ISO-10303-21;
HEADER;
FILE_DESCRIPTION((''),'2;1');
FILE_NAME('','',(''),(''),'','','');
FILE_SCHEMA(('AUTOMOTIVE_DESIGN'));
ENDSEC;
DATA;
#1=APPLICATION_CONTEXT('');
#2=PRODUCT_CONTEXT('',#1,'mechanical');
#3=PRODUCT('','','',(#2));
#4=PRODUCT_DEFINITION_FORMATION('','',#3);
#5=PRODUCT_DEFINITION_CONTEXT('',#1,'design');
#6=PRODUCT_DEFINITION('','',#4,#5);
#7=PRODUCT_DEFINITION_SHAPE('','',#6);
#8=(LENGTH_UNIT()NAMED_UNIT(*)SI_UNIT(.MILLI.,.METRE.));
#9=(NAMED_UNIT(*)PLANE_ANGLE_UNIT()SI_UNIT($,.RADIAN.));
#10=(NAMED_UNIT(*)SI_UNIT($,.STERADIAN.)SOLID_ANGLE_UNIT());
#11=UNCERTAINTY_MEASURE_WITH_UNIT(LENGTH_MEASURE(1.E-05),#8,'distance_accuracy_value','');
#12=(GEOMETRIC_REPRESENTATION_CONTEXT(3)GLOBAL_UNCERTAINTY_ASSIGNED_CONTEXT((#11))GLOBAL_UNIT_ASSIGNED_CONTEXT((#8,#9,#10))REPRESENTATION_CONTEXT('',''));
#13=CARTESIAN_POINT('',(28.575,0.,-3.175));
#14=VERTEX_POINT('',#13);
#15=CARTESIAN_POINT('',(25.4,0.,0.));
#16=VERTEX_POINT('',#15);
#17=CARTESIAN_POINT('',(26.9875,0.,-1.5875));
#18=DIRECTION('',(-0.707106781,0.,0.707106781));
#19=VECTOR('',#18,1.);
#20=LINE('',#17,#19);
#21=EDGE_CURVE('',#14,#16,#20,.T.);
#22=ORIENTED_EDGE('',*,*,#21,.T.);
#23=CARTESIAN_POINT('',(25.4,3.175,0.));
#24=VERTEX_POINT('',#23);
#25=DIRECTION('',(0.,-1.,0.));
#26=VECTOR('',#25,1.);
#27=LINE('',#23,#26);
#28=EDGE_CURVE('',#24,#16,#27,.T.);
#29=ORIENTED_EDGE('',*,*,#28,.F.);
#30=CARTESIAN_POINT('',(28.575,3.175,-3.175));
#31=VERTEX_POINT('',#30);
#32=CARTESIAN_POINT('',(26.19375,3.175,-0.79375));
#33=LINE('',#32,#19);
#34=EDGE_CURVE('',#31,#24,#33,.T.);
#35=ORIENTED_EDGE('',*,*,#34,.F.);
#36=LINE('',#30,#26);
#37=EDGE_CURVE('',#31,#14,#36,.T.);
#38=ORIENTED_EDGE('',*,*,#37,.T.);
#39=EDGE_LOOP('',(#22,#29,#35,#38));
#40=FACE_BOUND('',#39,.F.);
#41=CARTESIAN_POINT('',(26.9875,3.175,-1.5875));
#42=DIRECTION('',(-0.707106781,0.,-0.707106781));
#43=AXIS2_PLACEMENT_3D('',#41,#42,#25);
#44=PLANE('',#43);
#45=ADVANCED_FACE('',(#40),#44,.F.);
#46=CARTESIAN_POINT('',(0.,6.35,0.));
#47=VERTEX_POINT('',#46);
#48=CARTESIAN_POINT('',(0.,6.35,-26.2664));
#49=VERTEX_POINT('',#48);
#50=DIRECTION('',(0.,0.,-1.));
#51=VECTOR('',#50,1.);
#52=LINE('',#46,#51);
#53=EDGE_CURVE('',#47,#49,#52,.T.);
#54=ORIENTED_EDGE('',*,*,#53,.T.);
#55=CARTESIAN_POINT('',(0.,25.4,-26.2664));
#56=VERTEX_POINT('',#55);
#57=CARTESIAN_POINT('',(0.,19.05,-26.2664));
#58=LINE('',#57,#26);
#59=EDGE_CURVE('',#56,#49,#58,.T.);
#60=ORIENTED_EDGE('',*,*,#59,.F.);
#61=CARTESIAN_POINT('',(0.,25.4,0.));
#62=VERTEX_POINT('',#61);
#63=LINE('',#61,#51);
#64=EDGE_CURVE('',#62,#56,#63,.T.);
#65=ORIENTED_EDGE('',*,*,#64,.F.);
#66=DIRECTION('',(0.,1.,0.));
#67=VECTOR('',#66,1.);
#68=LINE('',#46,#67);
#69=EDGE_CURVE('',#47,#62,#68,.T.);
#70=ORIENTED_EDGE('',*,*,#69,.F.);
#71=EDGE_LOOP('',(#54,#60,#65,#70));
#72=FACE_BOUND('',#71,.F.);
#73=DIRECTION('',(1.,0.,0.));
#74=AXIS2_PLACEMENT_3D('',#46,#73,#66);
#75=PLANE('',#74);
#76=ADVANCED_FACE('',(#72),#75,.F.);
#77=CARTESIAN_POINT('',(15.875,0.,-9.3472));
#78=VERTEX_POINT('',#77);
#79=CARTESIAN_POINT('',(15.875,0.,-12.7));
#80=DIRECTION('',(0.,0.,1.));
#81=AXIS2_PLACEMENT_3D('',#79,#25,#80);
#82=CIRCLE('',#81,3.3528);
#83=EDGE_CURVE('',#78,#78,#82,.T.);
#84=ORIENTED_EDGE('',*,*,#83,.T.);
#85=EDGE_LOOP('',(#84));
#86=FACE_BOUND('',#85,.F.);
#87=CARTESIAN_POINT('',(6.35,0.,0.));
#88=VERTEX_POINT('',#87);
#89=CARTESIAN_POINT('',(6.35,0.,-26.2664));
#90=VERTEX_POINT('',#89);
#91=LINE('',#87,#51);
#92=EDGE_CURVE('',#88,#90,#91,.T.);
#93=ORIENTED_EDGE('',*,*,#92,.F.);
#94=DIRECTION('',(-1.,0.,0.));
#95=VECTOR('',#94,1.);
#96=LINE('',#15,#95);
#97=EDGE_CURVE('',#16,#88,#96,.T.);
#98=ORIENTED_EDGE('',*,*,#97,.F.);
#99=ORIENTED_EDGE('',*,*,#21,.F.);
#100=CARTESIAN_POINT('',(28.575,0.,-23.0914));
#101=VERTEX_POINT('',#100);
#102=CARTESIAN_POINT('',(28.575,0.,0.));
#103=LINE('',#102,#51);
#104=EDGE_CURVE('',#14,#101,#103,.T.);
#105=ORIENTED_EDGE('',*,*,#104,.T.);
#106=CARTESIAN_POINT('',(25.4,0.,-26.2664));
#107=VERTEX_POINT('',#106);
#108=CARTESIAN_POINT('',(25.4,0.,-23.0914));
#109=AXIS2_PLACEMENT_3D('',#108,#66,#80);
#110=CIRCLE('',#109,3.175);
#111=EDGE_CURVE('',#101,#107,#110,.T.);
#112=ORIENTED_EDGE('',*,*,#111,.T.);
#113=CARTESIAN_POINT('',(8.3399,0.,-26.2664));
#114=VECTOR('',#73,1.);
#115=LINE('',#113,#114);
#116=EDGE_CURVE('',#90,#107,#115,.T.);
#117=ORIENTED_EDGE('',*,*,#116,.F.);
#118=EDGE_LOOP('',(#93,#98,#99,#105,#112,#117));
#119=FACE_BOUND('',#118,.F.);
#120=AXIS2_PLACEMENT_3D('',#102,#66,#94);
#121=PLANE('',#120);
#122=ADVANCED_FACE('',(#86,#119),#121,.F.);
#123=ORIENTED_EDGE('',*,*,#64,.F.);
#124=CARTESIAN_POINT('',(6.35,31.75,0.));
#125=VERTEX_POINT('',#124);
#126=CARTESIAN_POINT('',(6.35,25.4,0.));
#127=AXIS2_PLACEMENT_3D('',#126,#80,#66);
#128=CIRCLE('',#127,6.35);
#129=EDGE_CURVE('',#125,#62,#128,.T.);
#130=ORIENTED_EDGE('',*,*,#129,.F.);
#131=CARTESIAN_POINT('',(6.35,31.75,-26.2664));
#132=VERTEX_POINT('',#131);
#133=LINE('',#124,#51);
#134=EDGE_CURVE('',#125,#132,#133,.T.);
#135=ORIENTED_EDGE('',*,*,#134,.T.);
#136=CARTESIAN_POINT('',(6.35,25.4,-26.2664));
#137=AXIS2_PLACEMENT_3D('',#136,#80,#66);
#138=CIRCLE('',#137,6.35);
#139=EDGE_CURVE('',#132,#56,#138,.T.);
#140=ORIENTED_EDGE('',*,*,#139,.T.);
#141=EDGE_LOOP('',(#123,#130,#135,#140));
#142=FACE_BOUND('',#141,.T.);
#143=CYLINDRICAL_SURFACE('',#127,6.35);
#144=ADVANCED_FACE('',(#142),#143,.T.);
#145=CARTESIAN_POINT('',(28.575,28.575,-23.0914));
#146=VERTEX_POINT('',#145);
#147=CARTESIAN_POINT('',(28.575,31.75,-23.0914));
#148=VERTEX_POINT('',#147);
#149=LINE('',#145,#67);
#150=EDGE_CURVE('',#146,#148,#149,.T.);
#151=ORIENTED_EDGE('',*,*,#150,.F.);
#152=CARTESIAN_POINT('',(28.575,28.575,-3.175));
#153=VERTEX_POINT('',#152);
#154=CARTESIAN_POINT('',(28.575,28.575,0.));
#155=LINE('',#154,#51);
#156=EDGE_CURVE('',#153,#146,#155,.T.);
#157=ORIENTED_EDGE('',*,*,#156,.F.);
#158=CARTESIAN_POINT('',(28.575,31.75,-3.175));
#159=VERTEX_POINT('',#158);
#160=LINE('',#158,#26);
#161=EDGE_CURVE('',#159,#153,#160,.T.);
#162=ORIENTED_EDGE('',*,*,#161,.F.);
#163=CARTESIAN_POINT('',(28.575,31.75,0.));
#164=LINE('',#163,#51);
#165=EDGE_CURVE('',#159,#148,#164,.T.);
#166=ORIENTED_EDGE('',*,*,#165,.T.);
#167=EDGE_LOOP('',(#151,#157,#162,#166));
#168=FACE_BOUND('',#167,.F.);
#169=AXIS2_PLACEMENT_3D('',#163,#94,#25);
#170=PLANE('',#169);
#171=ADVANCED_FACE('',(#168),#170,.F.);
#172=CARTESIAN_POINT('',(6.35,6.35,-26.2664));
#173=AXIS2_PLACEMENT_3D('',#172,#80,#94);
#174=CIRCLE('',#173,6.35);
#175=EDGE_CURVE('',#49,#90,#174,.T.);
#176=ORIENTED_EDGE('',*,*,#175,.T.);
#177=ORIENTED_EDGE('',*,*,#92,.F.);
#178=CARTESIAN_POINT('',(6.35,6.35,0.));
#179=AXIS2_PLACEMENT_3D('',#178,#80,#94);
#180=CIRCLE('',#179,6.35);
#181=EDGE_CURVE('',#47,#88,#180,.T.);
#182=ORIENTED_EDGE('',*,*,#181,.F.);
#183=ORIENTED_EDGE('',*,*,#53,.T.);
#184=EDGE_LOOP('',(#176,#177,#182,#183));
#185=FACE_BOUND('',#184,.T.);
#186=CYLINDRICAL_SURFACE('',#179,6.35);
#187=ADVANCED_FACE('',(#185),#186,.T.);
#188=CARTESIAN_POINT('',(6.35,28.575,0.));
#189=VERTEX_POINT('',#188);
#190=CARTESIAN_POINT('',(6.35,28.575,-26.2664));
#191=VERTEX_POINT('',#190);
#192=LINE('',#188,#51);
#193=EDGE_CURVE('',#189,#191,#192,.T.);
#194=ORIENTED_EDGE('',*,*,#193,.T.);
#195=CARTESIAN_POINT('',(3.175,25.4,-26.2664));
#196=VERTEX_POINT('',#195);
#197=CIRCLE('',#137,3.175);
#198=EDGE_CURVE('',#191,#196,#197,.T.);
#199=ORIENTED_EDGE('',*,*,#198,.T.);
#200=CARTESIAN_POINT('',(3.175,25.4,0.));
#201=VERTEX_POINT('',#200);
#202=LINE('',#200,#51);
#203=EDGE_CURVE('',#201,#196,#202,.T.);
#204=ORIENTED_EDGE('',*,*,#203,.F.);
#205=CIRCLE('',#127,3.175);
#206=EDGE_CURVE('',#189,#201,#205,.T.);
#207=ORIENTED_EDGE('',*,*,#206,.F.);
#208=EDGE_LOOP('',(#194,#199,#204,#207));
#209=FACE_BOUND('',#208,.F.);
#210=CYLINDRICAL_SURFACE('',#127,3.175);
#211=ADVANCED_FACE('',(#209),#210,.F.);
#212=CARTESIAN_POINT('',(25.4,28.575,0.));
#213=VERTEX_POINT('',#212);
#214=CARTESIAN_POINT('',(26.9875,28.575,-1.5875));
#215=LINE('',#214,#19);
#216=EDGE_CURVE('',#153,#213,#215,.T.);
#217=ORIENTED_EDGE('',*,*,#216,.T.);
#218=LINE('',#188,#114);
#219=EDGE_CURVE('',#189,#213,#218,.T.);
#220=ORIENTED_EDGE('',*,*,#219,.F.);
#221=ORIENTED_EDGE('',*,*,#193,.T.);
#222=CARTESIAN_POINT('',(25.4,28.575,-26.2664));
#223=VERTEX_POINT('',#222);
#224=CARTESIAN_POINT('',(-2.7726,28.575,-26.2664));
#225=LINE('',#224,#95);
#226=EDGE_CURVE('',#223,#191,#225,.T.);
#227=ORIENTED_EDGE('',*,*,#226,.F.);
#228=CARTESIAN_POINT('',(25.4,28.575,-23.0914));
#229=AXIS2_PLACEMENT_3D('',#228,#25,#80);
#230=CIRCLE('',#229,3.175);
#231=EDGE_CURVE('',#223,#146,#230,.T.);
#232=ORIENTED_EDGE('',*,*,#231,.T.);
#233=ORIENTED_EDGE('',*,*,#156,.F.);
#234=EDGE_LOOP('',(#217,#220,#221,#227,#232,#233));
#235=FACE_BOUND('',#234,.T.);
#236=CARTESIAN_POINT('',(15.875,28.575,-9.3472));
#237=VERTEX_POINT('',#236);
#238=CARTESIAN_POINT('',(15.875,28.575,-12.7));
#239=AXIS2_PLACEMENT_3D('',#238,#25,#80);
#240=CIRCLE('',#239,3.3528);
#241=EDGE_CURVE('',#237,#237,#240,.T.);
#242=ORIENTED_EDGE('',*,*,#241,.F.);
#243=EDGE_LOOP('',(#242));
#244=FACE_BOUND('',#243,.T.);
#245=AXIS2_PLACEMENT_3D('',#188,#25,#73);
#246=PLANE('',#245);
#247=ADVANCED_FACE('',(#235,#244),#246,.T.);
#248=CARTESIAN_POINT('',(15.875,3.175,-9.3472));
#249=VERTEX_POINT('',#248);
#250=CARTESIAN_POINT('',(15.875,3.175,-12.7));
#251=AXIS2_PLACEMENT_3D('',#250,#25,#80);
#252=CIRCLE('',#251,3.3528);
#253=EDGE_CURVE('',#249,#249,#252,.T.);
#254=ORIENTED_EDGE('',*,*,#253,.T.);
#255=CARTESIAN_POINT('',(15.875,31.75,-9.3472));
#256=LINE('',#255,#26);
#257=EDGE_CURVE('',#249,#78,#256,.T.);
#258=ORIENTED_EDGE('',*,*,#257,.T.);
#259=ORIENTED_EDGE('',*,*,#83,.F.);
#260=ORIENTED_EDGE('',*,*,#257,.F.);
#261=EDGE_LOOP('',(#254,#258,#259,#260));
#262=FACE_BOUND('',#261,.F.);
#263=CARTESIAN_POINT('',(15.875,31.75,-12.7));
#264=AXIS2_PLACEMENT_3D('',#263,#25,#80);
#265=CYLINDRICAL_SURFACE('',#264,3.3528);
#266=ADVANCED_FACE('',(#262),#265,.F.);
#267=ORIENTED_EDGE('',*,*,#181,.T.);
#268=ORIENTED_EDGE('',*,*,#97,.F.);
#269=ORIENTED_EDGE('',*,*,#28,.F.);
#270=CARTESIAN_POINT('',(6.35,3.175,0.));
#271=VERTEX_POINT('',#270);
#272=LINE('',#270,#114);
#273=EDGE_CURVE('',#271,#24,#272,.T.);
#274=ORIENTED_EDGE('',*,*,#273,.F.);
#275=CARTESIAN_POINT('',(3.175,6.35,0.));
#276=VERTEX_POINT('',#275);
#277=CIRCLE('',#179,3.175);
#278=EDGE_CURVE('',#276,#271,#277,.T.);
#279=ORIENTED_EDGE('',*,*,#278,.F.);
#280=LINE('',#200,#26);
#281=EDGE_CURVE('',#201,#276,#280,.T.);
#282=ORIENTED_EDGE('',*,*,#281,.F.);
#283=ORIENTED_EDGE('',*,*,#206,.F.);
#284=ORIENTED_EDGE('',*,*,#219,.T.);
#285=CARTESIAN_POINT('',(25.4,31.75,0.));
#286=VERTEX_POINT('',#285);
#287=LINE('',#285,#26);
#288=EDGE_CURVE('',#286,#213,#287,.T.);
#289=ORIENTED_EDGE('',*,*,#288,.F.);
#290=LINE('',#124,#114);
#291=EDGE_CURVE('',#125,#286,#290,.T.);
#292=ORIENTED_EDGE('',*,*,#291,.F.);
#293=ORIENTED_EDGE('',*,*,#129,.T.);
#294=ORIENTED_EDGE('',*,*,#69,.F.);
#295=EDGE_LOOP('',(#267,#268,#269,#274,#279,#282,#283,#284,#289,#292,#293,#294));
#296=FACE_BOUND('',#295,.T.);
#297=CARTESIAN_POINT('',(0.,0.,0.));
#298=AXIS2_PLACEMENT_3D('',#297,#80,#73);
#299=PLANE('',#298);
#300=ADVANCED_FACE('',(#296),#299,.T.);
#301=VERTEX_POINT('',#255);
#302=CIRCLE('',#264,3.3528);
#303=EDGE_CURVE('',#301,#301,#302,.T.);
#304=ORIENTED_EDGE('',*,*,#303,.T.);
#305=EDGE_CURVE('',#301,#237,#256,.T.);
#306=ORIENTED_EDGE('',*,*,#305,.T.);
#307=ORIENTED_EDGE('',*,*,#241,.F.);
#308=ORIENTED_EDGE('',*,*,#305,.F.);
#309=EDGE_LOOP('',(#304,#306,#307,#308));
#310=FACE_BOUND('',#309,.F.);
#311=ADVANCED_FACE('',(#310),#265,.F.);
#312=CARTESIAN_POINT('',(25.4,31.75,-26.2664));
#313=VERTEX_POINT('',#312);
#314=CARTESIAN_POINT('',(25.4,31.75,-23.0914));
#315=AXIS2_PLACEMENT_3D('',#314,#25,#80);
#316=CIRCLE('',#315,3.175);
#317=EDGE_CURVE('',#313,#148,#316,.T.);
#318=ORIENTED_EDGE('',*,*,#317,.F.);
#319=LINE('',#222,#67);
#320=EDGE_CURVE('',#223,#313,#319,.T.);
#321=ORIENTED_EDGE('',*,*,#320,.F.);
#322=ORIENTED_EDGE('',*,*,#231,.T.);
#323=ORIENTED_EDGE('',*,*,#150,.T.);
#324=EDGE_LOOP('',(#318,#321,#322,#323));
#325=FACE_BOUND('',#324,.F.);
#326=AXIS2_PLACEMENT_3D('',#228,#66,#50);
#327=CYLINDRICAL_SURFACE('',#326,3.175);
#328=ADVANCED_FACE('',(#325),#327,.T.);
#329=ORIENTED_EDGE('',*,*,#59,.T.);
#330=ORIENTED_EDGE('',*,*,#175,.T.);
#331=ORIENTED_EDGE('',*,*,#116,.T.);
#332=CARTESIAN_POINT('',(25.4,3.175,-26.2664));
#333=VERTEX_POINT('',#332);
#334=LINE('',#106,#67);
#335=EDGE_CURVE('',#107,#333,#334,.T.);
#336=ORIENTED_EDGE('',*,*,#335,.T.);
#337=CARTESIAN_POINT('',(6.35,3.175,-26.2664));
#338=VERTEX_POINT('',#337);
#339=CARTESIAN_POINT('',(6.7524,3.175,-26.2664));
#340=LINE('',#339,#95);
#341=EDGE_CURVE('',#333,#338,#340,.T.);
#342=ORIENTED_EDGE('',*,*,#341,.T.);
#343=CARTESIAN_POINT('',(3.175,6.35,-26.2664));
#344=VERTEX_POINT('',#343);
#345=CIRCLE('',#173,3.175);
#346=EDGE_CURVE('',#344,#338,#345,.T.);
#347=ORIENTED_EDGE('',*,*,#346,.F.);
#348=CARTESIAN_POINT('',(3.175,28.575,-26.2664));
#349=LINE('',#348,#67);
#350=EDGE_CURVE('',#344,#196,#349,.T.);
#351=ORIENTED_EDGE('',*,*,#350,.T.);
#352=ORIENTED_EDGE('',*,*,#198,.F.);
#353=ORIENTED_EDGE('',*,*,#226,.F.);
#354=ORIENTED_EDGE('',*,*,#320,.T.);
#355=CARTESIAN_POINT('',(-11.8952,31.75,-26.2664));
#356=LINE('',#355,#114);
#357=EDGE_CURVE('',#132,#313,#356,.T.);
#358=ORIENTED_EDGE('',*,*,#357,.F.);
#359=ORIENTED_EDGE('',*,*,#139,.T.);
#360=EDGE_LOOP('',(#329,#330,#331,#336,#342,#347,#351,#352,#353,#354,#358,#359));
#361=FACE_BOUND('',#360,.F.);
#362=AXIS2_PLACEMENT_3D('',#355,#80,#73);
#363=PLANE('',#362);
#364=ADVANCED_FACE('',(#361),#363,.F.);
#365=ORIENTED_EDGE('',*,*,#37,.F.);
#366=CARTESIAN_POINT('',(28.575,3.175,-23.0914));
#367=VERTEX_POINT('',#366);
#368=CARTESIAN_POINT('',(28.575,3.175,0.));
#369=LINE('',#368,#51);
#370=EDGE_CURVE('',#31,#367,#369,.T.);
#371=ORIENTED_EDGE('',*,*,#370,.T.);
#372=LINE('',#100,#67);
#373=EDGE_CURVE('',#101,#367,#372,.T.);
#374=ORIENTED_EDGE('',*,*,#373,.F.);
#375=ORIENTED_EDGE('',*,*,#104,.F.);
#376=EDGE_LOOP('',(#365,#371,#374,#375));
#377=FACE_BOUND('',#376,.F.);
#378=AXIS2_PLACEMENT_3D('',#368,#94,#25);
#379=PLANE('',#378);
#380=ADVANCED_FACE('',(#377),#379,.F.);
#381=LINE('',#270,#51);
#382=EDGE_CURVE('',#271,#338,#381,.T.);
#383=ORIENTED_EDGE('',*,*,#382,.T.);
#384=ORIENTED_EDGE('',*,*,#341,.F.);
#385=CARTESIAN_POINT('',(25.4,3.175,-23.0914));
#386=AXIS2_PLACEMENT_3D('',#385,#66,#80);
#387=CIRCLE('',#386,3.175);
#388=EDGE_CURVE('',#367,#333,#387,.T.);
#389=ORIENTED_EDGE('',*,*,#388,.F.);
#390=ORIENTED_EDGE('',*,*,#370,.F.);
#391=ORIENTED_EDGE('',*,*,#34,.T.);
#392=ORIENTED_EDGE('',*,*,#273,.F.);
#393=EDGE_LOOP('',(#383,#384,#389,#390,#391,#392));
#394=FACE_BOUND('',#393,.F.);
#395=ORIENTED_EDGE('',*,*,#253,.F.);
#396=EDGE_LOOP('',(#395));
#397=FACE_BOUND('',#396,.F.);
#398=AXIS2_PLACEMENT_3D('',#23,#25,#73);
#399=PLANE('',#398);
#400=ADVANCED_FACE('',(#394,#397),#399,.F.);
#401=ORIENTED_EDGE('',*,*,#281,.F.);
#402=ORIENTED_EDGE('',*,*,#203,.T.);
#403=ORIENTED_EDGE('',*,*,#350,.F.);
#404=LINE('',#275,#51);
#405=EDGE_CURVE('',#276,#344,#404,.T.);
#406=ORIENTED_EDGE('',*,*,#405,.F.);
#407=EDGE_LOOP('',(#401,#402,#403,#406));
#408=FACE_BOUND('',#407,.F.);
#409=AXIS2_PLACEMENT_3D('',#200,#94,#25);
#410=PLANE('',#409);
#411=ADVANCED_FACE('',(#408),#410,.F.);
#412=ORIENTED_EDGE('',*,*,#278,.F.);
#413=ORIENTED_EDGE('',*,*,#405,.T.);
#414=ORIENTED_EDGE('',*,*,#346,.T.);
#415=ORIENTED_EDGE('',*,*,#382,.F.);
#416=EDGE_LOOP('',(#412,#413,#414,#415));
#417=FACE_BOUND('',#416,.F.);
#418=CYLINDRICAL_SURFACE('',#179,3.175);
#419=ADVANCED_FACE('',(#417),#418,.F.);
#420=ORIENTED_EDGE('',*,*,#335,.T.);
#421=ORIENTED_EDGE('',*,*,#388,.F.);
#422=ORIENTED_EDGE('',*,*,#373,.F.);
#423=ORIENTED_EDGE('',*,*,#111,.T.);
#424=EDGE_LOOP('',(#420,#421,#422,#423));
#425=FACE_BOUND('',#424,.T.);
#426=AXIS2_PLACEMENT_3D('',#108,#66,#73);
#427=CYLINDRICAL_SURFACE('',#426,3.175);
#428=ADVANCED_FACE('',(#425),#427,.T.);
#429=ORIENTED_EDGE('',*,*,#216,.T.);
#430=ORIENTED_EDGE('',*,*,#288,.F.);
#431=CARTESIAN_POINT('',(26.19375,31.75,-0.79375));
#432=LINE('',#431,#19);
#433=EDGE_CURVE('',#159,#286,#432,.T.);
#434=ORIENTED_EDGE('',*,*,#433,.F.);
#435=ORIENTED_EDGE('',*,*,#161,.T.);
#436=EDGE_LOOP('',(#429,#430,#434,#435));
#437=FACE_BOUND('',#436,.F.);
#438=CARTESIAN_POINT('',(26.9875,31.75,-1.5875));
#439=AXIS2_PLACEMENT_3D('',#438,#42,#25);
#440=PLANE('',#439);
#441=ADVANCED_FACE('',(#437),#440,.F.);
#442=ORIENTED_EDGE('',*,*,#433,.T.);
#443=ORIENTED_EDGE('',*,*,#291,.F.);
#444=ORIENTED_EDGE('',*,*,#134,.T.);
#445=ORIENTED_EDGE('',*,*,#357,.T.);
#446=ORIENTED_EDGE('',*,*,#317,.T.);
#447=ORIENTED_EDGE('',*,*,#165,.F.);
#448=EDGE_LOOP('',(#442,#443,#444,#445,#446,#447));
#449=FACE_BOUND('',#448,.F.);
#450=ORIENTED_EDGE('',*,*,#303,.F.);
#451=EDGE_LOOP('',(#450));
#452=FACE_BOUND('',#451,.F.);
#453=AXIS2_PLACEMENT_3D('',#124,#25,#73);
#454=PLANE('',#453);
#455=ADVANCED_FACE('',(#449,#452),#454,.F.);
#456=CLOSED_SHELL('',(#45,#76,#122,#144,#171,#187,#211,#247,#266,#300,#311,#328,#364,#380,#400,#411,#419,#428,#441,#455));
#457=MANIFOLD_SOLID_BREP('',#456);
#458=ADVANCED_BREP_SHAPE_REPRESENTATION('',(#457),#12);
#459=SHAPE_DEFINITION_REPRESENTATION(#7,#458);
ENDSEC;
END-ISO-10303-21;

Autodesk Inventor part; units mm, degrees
ref_plane "YZ Plane" through (0, 0, 0) normal (1, 0, 0) x (0, 1, 0)
ref_plane "XZ Plane" through (0, 0, 0) normal (0, 1, 0) x (-1, 0, 0)
ref_plane "XY Plane" through (0, 0, 0) normal (0, 0, 1) x (1, 0, 0)
sketch "Sketch1" plane through (0, 0, 0) normal (0, 0, 1) x (1, 0, 0)
  line L0 (6.35, 28.575) -> (25.4, 28.575)
  line L1 (6.35, 31.75) -> (25.4, 31.75)
  line L2 (25.4, 0) -> (6.35, 0)
  arc A0 (0, 6.35) -> (6.35, 0) centre (6.35, 6.35) ccw
  line L3 (0, 6.35) -> (0, 25.4)
  arc A1 (6.35, 31.75) -> (0, 25.4) centre (6.35, 25.4) ccw
  line L4 (6.35, 31.75) -> (25.4, 31.75)
  line L5 (25.4, 28.575) -> (6.35, 28.575)
  arc A2 (6.35, 28.575) -> (3.175, 25.4) centre (6.35, 25.4) ccw
  line L6 (3.175, 25.4) -> (3.175, 6.35)
  arc A3 (3.175, 6.35) -> (6.35, 3.175) centre (6.35, 6.35) ccw
  line L7 (6.35, 3.175) -> (25.4, 3.175)
  line L8 (28.575, 3.175) -> (28.575, 0)
  line L9 (25.4, 31.75) -> (28.575, 31.75)
  line L10 (28.575, 28.575) -> (25.4, 28.575)
  line L11 (28.575, 31.75) -> (28.575, 28.575)
  line L12 (28.575, 0) -> (25.4, 0)
  line L13 (28.575, 3.175) -> (28.575, 0)
  line L14 (25.4, 3.175) -> (28.575, 3.175)
  point P0 (0, 0)
extrude "Extrusion1" add sketch "Sketch1" against normal blind 762
chamfer "Chamfer1" distance 3.175 angle 45 4 edges at (28.575, 30.1625, 0) (28.575, 1.5875, 0) (28.575, 30.1625, -762) (28.575, 1.5875, -762)
sketch "Sketch2" plane through (6.35, 31.75, 0) normal (0, 1, 0) x (1, 0, 0)
  line L0 (19.05, 0) -> (0, 0) projected
  line L1 (22.225, 3.175) -> (22.225, 758.825) projected
  point P0 (-6.35, 0)
  point P1 (9.525, 12.7)
  dimension "d5" = 12.7
  dimension "d6" = 12.7
hole "Hole1" at (15.875, 31.75, -12.7) direction (0, -1, 0) diameter 6.7056 end through all
pattern_linear "Rectangular Pattern1" count 30 spacing 25.4 along (0, 0, -1) of "Hole1"
sketch "Sketch3" plane through (0, 6.35, 0) normal (-1, 0, 0) x (0, 0, 1)
  line L0 (-0.2722, 19.0092) -> (-759.0056, 19.0092)
  line L1 (-759.0056, 19.0092) -> (-759.0056, 0.0408)
  line L2 (-0.2722, 0.0408) -> (-759.0056, 0.0408)
  line L3 (-0.2722, 0.0408) -> (-0.2722, 19.0092)
  circle A0 centre (-698.5852, 9.525) radius 4.78
  circle A1 centre (-111.2243, 9.525) radius 4.78
  circle A2 centre (-188.7416, 9.525) radius 3.6672
  circle A3 centre (-277.2605, 9.525) radius 3.6672
  circle A4 centre (-481.9921, 9.525) radius 3.6672
  circle A5 centre (-570.511, 9.525) radius 3.6672
  circle A6 centre (-469.3591, 9.525) radius 3.6672
  circle A7 centre (-583.1692, 9.525) radius 3.6672
  circle A8 centre (-289.9187, 9.525) radius 3.6672
  circle A9 centre (-176.1087, 9.525) radius 3.6672
  circle A10 centre (-551.6311, 9.525) radius 4.78
  circle A11 centre (-526.34, 9.525) radius 4.78
  circle A12 centre (-501.0489, 9.525) radius 4.78
  circle A13 centre (-258.2289, 9.525) radius 4.78
  circle A14 centre (-232.9378, 9.525) radius 4.78
  circle A15 centre (-207.6467, 9.525) radius 4.78
  circle A16 centre (-607.2589, 9.525) radius 1.5807
  circle A17 centre (-152.0189, 9.525) radius 1.5807
  circle A18 centre (-379.6389, 5.9842) radius 4.78
  circle A19 centre (-85.9332, 9.525) radius 4.78
  circle A20 centre (-673.294, 9.525) radius 4.78
  circle A21 centre (-648.0029, 9.525) radius 4.78
  circle A22 centre (-63.5, 9.525) radius 4.8006
  point P0 (0, -6.35)
  point P1 (-759.0056, -6.2819)
  dimension "d21" = 9.6012
extrude "Extrusion2" [suppressed]
sketch "Sketch4" plane through (6.35, 31.75, 0) normal (0, 1, 0) x (1, 0, 0)
  line L0 (-18.2452, 26.2664) -> (88.0083, 26.2664)
  line L1 (88.0083, 26.2664) -> (88.0083, 1027.7541)
  line L2 (88.0083, 1027.7541) -> (-18.2452, 1027.7541)
  line L3 (-18.2452, 1027.7541) -> (-18.2452, 26.2664)
  point P0 (-6.35, 0)
extrude "Extrusion3" cut sketch "Sketch4" against normal blind 50.8
sketch "Sketch5" plane through (0, 6.35, 0) normal (-1, 0, 0) x (0, 0, 1)
  circle A0 centre (-63.5, 9.525) radius 4.8006
  dimension "d23" = 9.6012
extrude "Extrusion4" cut sketch "Sketch5" against normal through all
fillet "Fillet1" radius 3.175 2 edges at (28.575, 30.1625, -26.2664) (28.575, 1.5875, -26.2664)
properties part number "niblet" material "Aluminum 6061"
